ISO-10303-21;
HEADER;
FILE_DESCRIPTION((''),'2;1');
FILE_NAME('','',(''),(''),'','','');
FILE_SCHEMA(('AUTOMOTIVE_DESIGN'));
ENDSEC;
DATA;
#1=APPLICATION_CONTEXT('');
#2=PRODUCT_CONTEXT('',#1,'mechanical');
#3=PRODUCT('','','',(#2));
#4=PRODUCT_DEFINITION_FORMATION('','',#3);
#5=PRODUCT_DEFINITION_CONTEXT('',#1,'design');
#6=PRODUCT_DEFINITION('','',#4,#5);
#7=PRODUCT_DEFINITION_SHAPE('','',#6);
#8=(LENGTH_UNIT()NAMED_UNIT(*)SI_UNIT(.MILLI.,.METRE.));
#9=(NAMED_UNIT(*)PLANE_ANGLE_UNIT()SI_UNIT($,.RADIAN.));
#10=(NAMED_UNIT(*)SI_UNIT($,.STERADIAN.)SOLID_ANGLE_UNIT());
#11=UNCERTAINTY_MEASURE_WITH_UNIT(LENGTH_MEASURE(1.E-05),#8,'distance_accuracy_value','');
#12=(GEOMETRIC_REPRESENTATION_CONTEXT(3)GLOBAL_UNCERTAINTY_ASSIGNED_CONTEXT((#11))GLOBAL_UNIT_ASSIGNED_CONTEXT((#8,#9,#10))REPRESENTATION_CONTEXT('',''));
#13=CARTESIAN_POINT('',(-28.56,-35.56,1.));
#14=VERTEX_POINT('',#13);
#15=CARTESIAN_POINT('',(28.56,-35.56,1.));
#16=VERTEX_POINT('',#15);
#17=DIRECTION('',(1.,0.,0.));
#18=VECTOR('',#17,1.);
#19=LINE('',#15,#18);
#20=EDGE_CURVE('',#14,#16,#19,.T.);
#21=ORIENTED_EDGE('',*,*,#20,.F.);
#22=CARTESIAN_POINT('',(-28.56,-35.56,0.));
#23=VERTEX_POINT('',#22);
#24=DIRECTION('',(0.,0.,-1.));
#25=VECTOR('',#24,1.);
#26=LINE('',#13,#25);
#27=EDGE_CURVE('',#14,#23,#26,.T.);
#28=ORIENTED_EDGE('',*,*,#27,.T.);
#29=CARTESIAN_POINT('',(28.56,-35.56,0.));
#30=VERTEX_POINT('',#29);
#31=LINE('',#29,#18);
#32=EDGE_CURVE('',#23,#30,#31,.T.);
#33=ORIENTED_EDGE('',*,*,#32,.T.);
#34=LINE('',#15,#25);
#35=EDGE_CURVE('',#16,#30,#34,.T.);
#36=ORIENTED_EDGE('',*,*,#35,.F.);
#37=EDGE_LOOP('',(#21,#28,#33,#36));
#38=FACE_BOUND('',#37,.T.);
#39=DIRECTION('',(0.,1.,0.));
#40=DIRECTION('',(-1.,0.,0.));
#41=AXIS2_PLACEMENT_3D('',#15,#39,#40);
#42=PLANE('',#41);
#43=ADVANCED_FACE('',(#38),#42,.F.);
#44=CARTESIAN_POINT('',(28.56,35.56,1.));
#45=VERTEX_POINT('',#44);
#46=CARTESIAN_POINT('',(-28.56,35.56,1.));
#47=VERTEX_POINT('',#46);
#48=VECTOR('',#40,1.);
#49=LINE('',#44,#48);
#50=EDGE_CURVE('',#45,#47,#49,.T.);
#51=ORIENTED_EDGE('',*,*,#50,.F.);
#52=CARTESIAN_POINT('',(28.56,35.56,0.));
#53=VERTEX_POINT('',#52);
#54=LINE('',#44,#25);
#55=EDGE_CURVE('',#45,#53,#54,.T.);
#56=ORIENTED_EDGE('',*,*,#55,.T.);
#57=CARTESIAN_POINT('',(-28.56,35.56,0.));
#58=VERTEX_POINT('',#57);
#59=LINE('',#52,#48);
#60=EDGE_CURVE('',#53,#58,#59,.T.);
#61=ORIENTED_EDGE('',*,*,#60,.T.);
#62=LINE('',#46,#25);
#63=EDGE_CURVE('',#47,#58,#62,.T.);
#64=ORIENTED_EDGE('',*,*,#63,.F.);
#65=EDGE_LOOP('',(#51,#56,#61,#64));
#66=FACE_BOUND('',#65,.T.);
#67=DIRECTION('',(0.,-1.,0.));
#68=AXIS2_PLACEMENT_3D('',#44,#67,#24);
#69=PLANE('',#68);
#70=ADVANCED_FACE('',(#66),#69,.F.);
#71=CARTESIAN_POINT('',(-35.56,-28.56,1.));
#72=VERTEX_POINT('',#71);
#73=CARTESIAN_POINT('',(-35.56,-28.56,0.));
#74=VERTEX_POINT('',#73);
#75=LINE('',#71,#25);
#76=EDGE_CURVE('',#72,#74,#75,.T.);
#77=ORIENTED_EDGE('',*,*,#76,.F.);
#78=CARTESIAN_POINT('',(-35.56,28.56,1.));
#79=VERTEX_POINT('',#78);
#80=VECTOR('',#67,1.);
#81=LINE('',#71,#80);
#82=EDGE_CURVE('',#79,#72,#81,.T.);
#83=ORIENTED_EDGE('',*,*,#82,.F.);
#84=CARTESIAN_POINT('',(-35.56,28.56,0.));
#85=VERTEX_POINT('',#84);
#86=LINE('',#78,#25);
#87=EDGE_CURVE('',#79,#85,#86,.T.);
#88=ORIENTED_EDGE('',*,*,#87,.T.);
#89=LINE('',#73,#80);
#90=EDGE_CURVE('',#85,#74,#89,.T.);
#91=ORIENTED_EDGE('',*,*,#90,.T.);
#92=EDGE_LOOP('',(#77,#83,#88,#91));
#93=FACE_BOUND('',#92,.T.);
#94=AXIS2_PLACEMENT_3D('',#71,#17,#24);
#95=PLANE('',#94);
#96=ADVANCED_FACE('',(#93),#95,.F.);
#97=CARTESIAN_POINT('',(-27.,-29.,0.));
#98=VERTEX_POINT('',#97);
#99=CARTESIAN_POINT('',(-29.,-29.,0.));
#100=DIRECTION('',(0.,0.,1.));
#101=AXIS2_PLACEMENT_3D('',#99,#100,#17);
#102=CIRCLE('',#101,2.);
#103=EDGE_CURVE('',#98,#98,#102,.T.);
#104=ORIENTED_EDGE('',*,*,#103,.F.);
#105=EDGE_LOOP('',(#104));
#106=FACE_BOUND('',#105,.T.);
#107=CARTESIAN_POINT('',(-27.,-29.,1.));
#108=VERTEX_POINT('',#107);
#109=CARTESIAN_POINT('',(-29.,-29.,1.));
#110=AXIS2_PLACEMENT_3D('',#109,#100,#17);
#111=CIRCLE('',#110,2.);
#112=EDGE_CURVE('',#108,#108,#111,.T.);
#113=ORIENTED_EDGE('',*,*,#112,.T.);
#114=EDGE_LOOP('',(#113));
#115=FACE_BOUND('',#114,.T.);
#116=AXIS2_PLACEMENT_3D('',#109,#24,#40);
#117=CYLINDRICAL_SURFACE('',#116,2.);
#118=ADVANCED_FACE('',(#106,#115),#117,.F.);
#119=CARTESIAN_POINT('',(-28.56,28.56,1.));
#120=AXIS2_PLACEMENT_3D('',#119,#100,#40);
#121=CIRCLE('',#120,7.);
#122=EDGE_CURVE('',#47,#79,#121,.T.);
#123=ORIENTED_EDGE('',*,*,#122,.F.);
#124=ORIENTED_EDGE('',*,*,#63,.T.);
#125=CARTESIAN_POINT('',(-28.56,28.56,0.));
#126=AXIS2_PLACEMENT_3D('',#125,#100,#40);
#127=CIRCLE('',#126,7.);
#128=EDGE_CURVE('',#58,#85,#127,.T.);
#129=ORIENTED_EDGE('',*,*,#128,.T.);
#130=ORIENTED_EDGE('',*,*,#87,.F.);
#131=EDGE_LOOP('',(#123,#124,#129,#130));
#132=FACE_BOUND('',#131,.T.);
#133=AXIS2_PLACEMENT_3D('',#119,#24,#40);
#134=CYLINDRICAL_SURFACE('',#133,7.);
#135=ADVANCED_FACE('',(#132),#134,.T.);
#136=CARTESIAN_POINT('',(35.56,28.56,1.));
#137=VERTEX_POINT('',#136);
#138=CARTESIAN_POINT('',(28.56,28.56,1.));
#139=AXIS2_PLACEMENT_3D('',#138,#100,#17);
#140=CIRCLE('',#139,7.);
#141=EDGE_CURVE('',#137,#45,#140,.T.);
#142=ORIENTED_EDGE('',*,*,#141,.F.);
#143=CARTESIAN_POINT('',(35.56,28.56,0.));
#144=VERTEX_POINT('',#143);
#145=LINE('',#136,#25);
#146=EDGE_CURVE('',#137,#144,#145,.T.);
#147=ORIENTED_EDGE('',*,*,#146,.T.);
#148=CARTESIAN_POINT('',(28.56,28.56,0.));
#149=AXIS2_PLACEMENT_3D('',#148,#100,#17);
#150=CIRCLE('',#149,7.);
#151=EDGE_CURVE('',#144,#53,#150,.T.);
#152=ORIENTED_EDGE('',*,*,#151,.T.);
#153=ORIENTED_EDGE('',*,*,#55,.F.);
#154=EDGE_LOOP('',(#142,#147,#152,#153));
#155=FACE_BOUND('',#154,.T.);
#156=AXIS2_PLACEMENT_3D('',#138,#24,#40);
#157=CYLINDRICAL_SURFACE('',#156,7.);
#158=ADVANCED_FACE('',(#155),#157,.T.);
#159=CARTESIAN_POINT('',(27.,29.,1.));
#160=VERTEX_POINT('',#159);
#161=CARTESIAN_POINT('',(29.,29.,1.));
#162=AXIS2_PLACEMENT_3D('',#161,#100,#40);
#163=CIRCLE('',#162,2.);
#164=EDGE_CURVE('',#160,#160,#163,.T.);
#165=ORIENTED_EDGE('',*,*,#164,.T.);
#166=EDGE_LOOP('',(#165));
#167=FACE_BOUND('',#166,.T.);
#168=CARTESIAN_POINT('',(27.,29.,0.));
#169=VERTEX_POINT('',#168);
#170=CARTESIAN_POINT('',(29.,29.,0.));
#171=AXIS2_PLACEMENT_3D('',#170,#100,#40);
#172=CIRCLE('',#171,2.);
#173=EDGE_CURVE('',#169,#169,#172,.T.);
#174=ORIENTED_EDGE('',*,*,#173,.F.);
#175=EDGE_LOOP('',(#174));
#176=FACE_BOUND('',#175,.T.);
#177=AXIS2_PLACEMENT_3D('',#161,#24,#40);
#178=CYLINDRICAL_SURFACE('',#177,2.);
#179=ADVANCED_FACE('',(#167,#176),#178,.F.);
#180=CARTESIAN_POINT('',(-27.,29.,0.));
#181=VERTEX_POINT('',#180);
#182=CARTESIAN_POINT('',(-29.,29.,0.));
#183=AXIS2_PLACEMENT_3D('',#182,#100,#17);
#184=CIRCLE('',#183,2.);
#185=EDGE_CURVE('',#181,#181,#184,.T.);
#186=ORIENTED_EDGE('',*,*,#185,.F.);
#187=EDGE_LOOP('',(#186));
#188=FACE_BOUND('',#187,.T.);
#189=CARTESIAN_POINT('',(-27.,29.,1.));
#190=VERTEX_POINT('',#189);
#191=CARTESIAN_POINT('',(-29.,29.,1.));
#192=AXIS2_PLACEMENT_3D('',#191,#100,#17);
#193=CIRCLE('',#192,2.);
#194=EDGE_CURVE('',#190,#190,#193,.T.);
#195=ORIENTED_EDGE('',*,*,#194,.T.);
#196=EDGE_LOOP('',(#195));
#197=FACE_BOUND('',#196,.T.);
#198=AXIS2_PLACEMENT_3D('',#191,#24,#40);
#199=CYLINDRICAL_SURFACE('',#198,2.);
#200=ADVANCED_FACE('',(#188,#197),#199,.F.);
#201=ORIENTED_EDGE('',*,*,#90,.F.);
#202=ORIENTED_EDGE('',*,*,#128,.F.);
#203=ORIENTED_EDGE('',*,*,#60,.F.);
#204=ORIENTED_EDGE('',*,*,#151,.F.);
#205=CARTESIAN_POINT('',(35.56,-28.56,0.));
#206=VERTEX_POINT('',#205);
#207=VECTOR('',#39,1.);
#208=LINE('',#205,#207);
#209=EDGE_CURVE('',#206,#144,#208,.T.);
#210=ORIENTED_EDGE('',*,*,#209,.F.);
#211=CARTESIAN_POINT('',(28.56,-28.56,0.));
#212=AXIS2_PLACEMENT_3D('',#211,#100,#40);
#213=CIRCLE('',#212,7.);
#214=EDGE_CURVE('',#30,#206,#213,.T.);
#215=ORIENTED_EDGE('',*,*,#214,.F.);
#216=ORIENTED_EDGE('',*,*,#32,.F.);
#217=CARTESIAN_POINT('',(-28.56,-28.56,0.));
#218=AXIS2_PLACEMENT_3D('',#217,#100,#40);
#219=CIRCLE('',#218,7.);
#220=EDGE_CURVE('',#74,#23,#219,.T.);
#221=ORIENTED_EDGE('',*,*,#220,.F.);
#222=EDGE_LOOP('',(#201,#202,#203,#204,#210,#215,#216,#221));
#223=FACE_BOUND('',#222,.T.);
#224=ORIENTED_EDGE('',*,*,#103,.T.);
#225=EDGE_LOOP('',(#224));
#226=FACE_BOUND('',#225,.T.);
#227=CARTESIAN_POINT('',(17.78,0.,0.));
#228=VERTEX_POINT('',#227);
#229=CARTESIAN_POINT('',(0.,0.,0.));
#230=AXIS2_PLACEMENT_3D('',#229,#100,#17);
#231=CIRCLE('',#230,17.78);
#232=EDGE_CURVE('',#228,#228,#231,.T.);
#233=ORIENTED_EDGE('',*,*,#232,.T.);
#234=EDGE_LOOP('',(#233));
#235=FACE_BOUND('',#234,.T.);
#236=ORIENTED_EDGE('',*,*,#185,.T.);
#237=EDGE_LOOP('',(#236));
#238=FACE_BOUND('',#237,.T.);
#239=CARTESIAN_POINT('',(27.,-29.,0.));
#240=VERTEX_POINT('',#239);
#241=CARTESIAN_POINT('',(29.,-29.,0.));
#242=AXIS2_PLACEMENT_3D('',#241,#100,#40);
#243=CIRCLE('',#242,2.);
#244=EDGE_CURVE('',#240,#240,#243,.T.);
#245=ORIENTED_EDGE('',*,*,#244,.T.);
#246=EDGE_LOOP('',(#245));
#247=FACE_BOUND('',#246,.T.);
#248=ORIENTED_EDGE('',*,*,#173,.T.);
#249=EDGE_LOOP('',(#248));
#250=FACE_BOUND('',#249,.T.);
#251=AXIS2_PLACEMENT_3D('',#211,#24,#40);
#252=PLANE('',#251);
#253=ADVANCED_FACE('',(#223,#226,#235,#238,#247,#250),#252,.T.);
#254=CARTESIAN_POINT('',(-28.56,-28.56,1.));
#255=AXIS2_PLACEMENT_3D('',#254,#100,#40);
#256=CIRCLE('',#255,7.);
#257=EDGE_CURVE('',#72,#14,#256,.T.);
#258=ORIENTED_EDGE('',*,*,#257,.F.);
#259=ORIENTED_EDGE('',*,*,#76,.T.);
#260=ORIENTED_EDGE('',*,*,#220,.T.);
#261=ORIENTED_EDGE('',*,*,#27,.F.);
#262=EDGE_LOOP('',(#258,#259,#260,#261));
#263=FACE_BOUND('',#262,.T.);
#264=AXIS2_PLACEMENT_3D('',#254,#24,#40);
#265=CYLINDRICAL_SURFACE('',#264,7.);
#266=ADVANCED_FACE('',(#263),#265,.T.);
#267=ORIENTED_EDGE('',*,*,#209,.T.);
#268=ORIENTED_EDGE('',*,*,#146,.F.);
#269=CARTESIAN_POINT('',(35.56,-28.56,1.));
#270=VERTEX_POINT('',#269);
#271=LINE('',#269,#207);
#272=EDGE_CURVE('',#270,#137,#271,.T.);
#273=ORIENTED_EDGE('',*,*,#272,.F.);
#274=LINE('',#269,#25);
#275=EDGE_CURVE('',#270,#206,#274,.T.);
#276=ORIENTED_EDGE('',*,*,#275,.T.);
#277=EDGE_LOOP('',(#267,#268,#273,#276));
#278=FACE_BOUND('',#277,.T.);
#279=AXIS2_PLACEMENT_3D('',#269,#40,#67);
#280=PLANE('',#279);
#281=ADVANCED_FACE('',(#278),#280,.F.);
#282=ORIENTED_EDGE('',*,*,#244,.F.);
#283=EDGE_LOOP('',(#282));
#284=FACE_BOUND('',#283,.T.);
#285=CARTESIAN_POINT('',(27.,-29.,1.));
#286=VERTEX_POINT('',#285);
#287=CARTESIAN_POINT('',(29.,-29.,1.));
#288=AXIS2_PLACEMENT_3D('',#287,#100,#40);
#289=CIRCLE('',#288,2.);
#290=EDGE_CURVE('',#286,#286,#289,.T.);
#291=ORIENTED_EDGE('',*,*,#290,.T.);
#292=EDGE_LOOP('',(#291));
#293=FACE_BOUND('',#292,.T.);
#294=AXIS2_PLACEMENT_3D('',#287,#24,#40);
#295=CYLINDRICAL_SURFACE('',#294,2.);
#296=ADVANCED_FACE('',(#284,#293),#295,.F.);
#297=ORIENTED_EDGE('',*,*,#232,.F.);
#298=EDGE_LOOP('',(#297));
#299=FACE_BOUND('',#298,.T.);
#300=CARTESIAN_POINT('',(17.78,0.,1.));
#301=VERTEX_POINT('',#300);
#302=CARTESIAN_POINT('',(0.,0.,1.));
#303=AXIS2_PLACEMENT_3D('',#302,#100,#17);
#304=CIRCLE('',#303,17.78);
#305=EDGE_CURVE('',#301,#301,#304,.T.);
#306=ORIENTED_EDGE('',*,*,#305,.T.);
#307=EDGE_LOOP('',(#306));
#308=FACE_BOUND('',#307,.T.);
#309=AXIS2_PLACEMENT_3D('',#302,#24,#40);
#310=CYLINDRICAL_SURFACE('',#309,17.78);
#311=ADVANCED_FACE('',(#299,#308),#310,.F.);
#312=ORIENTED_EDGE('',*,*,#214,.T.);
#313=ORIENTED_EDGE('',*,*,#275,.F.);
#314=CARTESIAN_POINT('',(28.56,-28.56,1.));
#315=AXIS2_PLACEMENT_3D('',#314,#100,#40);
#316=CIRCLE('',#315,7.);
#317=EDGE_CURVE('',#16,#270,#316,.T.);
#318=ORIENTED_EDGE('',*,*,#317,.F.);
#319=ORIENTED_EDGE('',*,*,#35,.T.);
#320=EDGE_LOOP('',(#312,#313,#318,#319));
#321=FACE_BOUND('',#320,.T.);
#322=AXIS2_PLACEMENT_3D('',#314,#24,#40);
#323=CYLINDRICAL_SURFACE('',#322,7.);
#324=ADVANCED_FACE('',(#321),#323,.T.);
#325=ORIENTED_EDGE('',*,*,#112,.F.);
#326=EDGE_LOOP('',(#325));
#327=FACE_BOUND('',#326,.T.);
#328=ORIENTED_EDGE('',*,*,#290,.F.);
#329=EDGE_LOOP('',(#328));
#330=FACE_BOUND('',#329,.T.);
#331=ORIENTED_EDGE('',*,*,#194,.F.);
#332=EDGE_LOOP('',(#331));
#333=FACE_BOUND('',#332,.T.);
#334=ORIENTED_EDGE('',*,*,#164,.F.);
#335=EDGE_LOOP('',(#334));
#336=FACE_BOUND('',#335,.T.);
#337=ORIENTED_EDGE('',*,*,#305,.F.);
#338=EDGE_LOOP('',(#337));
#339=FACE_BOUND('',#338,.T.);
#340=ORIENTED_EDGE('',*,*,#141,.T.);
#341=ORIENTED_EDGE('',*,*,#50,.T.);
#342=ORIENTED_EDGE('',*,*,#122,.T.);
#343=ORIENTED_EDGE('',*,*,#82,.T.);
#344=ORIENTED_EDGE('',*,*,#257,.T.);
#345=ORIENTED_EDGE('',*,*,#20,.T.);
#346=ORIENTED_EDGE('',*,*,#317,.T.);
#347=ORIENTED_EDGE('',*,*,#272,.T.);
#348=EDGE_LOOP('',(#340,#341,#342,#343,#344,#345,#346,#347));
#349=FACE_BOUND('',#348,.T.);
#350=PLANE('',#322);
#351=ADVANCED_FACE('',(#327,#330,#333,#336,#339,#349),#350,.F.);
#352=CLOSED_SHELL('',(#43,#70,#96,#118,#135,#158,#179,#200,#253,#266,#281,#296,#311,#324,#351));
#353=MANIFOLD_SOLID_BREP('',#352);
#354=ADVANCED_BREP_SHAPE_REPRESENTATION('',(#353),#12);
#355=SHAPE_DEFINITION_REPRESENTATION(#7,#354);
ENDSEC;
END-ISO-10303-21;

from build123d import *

# Parameters (mm, degrees)
SKETCH1_R           = 17.78
SKETCH1_R_2         = 2
BOSS_EXTRUDE1_DEPTH = 1


with BuildPart() as part:
    # Sketch1 → Boss-Extrude1 (new body)
    with BuildSketch(Plane(origin=(0, 0, 0), x_dir=(0, 1, 0), z_dir=(0, 0, 1))):
        with BuildLine():
            Line((-28.56, -35.56), (28.56, -35.56))
            ThreePointArc((28.56, -35.56), (33.509747468, -33.509747468), (35.56, -28.56))
            Line((35.56, -28.56), (35.56, 28.56))
            ThreePointArc((35.56, 28.56), (33.509747468, 33.509747468), (28.56, 35.56))
            Line((28.56, 35.56), (-28.56, 35.56))
            ThreePointArc((-28.56, 35.56), (-33.509747468, 33.509747468), (-35.56, 28.56))
            Line((-35.56, 28.56), (-35.56, -28.56))
            ThreePointArc((-35.56, -28.56), (-33.509747468, -33.509747468), (-28.56, -35.56))
        make_face()
        with Locations(Location((0, 0, 0), (0, 0, 270))):
            Circle(SKETCH1_R, mode=Mode.SUBTRACT)
        with Locations(Location((-29, 29, 0), (0, 0, 270))):
            Circle(SKETCH1_R_2, mode=Mode.SUBTRACT)
        with Locations(Location((29, -29, 0), (0, 0, 90))):
            Circle(SKETCH1_R_2, mode=Mode.SUBTRACT)
        with Locations(Location((29, 29, 0), (0, 0, 270))):
            Circle(SKETCH1_R_2, mode=Mode.SUBTRACT)
        with Locations(Location((-29, -29, 0), (0, 0, 90))):
            Circle(SKETCH1_R_2, mode=Mode.SUBTRACT)
    extrude(amount=BOSS_EXTRUDE1_DEPTH)


solid = part.part
